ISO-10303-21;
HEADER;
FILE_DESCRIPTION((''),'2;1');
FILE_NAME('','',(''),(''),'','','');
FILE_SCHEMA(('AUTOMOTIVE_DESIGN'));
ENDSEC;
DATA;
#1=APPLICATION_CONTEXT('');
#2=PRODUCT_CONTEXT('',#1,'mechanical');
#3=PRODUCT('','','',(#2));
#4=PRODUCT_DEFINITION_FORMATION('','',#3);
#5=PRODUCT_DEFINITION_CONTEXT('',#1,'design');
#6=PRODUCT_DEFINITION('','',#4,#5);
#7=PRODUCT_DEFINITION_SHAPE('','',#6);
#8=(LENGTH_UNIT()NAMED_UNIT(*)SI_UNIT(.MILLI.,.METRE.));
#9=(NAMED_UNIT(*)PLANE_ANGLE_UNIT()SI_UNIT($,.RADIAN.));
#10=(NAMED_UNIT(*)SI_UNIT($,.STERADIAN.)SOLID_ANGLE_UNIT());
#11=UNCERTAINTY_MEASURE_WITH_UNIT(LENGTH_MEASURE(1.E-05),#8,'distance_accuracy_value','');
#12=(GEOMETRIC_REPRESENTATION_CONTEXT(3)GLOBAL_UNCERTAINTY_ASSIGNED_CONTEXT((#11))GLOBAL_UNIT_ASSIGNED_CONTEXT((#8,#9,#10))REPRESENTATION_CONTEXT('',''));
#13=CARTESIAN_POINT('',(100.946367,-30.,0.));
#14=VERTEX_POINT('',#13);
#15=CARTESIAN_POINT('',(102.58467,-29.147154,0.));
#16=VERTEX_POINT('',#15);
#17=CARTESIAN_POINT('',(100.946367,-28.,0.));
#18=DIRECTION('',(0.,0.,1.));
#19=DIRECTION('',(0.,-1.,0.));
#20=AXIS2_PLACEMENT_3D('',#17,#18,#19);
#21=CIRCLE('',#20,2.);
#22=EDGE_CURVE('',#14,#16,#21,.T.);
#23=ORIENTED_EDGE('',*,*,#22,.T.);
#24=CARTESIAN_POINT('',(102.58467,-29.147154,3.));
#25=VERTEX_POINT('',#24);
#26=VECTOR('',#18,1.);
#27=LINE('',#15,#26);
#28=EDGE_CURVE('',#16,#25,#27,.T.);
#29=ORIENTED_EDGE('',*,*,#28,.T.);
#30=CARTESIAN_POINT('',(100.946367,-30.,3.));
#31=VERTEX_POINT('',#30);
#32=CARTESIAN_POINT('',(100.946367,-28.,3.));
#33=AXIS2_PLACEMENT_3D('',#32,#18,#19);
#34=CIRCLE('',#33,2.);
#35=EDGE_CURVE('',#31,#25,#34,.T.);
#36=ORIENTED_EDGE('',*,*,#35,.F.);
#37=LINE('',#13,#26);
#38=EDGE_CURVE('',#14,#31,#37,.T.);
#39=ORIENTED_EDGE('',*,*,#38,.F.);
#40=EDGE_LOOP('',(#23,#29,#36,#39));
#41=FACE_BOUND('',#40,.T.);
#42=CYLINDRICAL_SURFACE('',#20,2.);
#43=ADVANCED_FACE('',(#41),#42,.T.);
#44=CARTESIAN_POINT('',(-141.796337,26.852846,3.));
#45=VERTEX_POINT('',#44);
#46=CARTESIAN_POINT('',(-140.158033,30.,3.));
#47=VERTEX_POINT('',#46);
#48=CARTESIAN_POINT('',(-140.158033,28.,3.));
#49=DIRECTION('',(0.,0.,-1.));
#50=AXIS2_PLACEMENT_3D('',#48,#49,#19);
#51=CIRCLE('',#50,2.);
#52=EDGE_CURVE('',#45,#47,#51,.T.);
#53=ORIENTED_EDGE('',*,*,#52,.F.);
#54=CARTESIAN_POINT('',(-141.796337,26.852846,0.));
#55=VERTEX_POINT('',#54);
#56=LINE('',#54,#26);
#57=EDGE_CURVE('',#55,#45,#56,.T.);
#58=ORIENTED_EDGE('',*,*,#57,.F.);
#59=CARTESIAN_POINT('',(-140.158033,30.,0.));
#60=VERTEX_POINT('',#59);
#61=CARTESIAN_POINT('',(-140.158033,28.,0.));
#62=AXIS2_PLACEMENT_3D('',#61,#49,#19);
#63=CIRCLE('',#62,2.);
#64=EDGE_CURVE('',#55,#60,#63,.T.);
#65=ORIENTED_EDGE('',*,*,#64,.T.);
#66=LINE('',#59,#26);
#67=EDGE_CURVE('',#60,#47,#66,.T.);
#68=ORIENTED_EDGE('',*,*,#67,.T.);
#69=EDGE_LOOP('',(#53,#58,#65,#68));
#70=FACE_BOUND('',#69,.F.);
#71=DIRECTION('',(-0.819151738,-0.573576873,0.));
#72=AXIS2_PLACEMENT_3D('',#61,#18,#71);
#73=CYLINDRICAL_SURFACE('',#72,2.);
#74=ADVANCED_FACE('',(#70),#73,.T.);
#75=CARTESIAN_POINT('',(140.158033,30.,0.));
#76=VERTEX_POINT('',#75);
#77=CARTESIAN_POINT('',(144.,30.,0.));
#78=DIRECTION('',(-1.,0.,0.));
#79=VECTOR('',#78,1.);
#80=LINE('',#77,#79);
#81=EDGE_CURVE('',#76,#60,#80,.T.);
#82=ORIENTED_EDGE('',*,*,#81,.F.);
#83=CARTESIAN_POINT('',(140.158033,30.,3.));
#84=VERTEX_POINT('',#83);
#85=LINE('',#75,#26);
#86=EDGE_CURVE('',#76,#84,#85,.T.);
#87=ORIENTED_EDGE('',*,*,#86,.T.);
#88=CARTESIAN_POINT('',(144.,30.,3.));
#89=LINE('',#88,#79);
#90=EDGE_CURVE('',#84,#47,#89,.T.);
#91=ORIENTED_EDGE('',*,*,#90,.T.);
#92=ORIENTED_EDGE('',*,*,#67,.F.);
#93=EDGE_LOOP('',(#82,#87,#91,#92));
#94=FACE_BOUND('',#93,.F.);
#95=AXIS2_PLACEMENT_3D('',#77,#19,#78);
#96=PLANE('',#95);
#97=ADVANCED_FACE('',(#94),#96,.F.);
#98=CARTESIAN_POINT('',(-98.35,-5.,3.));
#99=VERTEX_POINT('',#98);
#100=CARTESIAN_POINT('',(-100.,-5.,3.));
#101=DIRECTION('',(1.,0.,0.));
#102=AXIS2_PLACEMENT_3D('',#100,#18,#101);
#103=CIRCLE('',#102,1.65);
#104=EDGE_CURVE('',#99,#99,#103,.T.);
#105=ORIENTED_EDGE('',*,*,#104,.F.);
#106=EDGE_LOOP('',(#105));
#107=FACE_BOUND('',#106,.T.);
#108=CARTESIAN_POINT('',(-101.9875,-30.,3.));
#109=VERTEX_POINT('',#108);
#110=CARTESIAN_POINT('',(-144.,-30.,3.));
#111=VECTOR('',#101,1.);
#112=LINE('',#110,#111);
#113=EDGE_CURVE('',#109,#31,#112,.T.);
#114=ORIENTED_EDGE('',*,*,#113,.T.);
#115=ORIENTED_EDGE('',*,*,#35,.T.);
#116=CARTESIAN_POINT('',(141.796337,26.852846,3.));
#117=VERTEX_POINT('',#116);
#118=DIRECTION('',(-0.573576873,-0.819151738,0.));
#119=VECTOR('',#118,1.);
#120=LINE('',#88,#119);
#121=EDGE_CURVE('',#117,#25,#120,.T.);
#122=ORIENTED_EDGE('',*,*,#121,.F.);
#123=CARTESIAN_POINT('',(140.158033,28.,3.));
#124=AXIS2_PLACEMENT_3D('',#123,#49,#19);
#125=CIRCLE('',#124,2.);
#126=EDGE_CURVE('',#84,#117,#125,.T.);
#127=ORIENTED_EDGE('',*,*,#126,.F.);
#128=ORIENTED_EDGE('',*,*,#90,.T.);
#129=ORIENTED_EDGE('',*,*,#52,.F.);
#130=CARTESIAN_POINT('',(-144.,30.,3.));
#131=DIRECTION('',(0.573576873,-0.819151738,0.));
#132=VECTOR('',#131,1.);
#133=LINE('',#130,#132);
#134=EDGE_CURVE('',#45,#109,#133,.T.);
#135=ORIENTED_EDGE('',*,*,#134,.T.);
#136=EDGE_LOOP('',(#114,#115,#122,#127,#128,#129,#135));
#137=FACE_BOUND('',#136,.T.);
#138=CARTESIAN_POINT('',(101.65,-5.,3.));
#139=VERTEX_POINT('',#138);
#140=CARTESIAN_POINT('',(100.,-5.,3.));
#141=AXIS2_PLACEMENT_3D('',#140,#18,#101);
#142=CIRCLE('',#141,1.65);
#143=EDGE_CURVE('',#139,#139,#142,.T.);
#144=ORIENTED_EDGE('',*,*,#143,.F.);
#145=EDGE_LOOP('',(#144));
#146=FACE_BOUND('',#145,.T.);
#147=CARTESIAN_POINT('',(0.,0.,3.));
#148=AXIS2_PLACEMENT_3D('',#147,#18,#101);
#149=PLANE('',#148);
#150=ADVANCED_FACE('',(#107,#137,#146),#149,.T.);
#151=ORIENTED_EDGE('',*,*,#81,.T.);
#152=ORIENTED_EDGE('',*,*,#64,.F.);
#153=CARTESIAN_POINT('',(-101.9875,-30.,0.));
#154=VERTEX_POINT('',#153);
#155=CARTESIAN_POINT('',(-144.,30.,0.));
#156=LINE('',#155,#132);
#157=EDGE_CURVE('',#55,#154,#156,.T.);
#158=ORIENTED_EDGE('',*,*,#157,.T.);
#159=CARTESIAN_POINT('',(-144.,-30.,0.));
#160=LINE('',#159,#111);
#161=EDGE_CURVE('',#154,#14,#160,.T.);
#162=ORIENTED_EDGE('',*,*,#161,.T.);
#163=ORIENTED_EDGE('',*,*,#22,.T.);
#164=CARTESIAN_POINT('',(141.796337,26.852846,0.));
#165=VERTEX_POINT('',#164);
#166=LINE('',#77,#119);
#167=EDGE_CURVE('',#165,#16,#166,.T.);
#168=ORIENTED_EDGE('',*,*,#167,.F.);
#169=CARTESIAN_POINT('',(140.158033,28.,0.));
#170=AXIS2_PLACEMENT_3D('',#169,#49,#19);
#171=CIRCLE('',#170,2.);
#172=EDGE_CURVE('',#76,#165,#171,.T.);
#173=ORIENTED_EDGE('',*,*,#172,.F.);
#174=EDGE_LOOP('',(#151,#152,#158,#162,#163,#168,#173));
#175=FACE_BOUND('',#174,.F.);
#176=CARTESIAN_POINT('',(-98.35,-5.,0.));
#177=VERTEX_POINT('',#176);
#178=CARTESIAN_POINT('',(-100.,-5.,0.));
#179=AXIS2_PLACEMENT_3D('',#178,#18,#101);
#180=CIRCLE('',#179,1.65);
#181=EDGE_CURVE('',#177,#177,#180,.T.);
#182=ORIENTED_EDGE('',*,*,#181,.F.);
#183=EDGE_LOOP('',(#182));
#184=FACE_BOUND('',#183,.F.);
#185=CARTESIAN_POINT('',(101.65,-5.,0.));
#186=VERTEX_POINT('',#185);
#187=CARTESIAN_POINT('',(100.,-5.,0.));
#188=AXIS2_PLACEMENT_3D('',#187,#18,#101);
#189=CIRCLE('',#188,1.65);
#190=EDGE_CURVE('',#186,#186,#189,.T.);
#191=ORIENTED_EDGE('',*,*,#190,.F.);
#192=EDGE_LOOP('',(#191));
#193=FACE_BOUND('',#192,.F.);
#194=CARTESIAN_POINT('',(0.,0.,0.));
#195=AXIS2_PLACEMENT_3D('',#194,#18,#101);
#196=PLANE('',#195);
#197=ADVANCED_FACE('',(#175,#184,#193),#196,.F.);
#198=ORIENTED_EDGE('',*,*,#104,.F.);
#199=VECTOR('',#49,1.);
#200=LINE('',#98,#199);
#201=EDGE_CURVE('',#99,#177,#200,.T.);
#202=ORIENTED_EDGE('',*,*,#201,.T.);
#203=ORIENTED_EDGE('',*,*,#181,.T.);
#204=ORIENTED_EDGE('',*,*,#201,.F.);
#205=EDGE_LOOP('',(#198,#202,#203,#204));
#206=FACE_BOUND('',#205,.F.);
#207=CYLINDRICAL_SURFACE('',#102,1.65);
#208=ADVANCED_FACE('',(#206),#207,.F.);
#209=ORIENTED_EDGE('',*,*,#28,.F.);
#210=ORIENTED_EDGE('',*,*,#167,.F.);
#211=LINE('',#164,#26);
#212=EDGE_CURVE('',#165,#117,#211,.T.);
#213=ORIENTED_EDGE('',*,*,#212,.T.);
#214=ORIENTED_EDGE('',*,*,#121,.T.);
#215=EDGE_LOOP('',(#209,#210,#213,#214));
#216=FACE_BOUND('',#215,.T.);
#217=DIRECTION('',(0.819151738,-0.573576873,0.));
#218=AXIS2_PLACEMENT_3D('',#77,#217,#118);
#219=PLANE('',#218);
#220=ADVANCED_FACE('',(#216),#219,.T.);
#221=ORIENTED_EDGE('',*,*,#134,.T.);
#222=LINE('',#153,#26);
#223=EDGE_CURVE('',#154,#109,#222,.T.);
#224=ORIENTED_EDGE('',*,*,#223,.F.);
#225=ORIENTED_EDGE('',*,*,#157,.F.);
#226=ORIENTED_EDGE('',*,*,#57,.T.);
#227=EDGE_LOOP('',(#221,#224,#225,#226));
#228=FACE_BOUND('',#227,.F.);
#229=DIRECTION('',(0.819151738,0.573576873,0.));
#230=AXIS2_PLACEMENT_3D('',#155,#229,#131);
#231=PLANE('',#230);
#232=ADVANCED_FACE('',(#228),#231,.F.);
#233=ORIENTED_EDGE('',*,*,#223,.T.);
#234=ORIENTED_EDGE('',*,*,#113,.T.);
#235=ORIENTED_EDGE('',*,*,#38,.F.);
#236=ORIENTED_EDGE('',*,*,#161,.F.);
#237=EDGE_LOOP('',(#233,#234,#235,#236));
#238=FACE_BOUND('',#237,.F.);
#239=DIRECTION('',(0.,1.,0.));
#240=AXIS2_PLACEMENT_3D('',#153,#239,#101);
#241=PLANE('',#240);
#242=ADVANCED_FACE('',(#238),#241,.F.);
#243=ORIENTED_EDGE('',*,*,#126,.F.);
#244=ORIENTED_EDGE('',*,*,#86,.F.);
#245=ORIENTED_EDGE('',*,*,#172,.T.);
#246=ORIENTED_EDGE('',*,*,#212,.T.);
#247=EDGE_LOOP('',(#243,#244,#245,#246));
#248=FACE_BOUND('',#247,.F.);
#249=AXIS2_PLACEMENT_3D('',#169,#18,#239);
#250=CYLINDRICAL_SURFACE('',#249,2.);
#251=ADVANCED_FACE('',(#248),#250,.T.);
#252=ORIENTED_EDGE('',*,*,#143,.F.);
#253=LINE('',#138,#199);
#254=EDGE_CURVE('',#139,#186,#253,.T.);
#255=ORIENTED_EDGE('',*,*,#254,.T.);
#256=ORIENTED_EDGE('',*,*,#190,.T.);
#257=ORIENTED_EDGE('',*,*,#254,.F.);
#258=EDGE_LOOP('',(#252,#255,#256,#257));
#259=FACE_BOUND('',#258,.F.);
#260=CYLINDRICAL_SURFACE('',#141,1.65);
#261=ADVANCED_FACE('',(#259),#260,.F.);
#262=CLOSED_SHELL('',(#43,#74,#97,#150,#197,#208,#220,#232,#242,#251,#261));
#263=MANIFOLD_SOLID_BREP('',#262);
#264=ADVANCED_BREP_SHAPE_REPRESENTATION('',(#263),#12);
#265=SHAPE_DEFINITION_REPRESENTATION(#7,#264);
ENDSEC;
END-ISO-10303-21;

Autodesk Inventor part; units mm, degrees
ref_plane "YZ Plane" through (0, 0, 0) normal (1, 0, 0) x (0, 1, 0)
ref_plane "XZ Plane" through (0, 0, 0) normal (0, 1, 0) x (-1, 0, 0)
ref_plane "XY Plane" through (0, 0, 0) normal (0, 0, 1) x (1, 0, 0)
sketch "Sketch1" plane through (0, 0, 0) normal (0, 0, 1) x (1, 0, 0)
  line L0 (-144, -30) -> (144, -30)
  line L1 (144, -30) -> (144, 30)
  line L2 (144, 30) -> (-144, 30)
  line L3 (-144, 30) -> (-144, -30)
  line L4 (-144, -30) -> (144, 30) construction
  line L5 (144, -30) -> (-144, 30) construction
  line L6 (144, 30) -> (101.9875, -30)
  line L7 (-144, 30) -> (-101.9875, -30)
  point P0 (0, 0)
  dimension "d0" = 288
  dimension "d1" = 60
  dimension "d2" = 55
  dimension "d13" = 55
extrude "Extrusion1" add sketch "Sketch1" along normal blind 3 contours L7 L2 L6 L0
sketch "Sketch2" plane through (0, 0, 3) normal (0, 0, 1) x (1, 0, 0)
  circle A0 centre (-100, -5) radius 1.65
  line L0 (-101.9875, -30) -> (101.9875, -30) projected
  line L1 (-100, -5) -> (155.6099, -5) construction
  circle A1 centre (100, -5) radius 1.65
  point P0 (0, 0)
  dimension "d5" = 25
  dimension "d6" = 3.3
  dimension "d9" = 3.3
  dimension "d14" = 100
  dimension "d15" = 100
extrude "Extrusion2" cut sketch "Sketch2" against normal through all
fillet "Fillet1" radius 2 3 edges at (-144, 30, 1.5) (101.9875, -30, 1.5) (144, 30, 1.5)
sketch "Sketch3" plane through (0, 0, 3) normal (0, 0, 1) x (1, 0, 0)
  arc A0 (141.7963, 26.8528) -> (140.158, 30) centre (140.158, 28) ccw projected
  line L0 (140.158, 30) -> (-140.158, 30) projected
  arc A1 (-140.158, 30) -> (-141.7963, 26.8528) centre (-140.158, 28) ccw projected
  line L1 (-141.7963, 26.8528) -> (-101.9875, -30) projected
  line L2 (-101.9875, -30) -> (100.9464, -30) projected
  arc A2 (100.9464, -30) -> (102.5847, -29.1472) centre (100.9464, -28) ccw projected
  line L3 (102.5847, -29.1472) -> (141.7963, 26.8528) projected
  circle A3 centre (-100, -5) radius 1.65 projected
  circle A4 centre (100, -5) radius 1.65 projected
  point P0 (0, 0)
equation "\"d13\" = d2"
equation "\"d9\" = d6"
equation "\"d15\" = d14"
properties part number "UpperAcrylicSheetBack"
